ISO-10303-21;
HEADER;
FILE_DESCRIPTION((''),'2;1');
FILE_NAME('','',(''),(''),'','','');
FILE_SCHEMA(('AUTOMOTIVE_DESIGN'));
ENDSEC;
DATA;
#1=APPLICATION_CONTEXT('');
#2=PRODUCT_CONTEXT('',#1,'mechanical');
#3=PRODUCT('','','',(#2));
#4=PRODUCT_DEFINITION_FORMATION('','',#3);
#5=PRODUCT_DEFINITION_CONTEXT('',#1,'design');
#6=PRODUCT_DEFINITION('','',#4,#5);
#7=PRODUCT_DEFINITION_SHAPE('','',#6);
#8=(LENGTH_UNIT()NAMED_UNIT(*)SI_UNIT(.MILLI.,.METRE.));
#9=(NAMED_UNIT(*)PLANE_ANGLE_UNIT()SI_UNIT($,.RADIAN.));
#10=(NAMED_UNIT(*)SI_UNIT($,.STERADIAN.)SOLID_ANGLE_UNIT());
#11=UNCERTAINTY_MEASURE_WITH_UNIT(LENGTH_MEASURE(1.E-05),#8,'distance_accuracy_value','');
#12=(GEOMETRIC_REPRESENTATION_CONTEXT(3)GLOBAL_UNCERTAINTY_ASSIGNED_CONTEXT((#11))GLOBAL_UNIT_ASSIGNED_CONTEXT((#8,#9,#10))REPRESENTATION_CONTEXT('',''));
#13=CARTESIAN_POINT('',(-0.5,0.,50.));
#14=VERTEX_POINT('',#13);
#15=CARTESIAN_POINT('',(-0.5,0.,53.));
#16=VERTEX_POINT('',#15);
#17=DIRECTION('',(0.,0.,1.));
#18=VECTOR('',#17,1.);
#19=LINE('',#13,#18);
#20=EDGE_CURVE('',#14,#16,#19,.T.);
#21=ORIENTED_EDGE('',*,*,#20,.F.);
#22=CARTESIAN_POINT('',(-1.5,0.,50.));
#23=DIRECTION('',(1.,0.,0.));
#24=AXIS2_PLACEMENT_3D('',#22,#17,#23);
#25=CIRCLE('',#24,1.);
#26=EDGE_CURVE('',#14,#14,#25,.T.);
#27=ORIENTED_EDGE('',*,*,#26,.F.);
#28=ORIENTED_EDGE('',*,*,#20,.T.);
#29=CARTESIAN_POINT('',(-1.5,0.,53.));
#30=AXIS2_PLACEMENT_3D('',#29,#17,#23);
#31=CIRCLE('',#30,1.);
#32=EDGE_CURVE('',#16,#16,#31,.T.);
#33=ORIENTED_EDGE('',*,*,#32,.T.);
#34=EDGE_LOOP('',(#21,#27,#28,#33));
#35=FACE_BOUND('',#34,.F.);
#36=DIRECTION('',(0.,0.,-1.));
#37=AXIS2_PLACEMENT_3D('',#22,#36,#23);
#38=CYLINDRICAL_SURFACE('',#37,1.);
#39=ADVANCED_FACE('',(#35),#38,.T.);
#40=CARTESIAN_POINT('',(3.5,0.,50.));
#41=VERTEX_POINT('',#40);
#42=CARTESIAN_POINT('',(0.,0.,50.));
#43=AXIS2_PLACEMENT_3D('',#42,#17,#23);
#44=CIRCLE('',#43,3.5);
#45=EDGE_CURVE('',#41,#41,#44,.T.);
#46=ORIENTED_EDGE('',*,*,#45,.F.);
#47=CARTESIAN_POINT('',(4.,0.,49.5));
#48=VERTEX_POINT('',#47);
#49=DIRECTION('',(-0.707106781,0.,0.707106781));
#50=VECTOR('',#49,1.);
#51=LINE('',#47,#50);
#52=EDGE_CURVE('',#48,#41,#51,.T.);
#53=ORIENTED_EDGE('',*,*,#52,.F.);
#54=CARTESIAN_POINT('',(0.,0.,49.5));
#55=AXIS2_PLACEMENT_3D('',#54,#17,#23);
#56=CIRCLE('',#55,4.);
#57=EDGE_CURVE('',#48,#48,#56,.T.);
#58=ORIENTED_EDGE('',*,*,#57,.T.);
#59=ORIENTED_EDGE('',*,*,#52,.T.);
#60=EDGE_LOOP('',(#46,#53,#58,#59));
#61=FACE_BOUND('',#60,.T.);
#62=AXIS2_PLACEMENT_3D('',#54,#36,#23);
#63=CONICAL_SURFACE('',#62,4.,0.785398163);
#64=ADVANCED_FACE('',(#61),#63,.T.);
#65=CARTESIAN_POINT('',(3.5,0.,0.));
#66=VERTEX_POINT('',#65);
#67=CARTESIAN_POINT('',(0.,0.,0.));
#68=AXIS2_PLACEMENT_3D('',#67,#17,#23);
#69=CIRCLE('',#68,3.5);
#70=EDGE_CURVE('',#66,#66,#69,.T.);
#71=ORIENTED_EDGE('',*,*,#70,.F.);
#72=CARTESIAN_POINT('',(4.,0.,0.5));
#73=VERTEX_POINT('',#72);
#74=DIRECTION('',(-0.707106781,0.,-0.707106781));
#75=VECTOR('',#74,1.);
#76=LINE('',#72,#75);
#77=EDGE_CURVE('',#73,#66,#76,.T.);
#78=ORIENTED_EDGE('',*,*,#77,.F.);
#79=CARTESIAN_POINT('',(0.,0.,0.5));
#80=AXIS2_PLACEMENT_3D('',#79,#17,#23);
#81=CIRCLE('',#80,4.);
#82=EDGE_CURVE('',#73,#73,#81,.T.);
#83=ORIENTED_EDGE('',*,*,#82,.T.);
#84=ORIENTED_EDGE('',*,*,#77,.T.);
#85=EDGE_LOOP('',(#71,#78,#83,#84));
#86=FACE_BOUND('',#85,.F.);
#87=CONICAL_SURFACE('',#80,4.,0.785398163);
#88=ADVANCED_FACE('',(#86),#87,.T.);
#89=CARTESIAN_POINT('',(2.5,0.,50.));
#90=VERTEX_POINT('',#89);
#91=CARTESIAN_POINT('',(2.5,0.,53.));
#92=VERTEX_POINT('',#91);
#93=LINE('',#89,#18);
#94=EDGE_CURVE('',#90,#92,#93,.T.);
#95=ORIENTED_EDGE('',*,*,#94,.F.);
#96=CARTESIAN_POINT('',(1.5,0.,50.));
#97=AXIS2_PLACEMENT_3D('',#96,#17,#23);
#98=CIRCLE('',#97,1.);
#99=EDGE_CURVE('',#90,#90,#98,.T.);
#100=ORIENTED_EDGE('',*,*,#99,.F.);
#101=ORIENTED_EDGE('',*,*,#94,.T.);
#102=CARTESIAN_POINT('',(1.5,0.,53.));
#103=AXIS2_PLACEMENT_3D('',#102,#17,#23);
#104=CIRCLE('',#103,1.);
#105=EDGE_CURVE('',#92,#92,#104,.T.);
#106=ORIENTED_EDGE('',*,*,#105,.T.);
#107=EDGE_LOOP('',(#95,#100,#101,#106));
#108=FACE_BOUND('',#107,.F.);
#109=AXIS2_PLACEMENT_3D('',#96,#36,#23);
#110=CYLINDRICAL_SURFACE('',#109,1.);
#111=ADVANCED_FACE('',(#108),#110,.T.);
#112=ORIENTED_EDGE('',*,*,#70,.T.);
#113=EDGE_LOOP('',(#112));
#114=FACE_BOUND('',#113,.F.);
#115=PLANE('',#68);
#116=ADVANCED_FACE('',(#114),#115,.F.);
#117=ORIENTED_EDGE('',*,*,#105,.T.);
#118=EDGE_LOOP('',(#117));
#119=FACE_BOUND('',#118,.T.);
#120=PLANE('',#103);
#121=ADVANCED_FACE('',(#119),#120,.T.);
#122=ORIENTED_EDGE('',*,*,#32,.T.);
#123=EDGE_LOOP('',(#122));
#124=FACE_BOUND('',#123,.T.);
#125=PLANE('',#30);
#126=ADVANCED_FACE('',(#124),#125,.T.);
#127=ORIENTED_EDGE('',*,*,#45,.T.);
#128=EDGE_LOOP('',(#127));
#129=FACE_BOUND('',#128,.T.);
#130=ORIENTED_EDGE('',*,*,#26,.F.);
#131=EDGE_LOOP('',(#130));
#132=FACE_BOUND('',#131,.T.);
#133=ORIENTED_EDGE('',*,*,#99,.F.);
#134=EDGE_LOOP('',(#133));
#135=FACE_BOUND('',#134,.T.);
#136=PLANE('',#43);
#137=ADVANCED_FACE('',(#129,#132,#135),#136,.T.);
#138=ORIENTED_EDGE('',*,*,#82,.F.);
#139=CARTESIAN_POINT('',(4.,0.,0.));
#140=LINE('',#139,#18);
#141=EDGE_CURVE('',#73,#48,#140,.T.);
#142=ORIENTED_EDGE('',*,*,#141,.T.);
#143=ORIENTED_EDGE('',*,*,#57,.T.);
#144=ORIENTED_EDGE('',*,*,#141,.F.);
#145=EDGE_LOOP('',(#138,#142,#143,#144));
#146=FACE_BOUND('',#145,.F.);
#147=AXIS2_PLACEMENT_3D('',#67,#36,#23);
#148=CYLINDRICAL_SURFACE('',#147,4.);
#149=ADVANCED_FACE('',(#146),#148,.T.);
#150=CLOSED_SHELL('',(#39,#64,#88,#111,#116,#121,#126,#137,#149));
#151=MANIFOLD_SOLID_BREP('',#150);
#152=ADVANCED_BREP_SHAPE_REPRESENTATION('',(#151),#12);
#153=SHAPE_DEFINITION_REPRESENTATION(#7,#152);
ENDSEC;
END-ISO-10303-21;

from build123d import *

# Parameters (mm, degrees)
F0_R     = 4
F1_DEPTH = 50
F2_SIZE  = 0.5
F3_R     = 1
F4_DEPTH = 3


with BuildPart() as f1:
    # F0 (on Top) → F1 (new body)
    with BuildSketch(Plane.XY):
        Circle(F0_R)
    extrude(amount=F1_DEPTH)

    # F2
    f2_edges = [f1.edges().sort_by_distance(p)[0] for p in [
        (-4, 0, 50),
        (-4, 0, 0),
    ]]
    chamfer(f2_edges, length=F2_SIZE)

    # F3 (on face) → F4 (join)
    with BuildSketch(Plane.XY.offset(50)):
        with Locations((1.5, 0)):
            Circle(F3_R)
        with Locations((-1.5, 0)):
            Circle(F3_R)
    extrude(amount=F4_DEPTH)


solid = f1.part
